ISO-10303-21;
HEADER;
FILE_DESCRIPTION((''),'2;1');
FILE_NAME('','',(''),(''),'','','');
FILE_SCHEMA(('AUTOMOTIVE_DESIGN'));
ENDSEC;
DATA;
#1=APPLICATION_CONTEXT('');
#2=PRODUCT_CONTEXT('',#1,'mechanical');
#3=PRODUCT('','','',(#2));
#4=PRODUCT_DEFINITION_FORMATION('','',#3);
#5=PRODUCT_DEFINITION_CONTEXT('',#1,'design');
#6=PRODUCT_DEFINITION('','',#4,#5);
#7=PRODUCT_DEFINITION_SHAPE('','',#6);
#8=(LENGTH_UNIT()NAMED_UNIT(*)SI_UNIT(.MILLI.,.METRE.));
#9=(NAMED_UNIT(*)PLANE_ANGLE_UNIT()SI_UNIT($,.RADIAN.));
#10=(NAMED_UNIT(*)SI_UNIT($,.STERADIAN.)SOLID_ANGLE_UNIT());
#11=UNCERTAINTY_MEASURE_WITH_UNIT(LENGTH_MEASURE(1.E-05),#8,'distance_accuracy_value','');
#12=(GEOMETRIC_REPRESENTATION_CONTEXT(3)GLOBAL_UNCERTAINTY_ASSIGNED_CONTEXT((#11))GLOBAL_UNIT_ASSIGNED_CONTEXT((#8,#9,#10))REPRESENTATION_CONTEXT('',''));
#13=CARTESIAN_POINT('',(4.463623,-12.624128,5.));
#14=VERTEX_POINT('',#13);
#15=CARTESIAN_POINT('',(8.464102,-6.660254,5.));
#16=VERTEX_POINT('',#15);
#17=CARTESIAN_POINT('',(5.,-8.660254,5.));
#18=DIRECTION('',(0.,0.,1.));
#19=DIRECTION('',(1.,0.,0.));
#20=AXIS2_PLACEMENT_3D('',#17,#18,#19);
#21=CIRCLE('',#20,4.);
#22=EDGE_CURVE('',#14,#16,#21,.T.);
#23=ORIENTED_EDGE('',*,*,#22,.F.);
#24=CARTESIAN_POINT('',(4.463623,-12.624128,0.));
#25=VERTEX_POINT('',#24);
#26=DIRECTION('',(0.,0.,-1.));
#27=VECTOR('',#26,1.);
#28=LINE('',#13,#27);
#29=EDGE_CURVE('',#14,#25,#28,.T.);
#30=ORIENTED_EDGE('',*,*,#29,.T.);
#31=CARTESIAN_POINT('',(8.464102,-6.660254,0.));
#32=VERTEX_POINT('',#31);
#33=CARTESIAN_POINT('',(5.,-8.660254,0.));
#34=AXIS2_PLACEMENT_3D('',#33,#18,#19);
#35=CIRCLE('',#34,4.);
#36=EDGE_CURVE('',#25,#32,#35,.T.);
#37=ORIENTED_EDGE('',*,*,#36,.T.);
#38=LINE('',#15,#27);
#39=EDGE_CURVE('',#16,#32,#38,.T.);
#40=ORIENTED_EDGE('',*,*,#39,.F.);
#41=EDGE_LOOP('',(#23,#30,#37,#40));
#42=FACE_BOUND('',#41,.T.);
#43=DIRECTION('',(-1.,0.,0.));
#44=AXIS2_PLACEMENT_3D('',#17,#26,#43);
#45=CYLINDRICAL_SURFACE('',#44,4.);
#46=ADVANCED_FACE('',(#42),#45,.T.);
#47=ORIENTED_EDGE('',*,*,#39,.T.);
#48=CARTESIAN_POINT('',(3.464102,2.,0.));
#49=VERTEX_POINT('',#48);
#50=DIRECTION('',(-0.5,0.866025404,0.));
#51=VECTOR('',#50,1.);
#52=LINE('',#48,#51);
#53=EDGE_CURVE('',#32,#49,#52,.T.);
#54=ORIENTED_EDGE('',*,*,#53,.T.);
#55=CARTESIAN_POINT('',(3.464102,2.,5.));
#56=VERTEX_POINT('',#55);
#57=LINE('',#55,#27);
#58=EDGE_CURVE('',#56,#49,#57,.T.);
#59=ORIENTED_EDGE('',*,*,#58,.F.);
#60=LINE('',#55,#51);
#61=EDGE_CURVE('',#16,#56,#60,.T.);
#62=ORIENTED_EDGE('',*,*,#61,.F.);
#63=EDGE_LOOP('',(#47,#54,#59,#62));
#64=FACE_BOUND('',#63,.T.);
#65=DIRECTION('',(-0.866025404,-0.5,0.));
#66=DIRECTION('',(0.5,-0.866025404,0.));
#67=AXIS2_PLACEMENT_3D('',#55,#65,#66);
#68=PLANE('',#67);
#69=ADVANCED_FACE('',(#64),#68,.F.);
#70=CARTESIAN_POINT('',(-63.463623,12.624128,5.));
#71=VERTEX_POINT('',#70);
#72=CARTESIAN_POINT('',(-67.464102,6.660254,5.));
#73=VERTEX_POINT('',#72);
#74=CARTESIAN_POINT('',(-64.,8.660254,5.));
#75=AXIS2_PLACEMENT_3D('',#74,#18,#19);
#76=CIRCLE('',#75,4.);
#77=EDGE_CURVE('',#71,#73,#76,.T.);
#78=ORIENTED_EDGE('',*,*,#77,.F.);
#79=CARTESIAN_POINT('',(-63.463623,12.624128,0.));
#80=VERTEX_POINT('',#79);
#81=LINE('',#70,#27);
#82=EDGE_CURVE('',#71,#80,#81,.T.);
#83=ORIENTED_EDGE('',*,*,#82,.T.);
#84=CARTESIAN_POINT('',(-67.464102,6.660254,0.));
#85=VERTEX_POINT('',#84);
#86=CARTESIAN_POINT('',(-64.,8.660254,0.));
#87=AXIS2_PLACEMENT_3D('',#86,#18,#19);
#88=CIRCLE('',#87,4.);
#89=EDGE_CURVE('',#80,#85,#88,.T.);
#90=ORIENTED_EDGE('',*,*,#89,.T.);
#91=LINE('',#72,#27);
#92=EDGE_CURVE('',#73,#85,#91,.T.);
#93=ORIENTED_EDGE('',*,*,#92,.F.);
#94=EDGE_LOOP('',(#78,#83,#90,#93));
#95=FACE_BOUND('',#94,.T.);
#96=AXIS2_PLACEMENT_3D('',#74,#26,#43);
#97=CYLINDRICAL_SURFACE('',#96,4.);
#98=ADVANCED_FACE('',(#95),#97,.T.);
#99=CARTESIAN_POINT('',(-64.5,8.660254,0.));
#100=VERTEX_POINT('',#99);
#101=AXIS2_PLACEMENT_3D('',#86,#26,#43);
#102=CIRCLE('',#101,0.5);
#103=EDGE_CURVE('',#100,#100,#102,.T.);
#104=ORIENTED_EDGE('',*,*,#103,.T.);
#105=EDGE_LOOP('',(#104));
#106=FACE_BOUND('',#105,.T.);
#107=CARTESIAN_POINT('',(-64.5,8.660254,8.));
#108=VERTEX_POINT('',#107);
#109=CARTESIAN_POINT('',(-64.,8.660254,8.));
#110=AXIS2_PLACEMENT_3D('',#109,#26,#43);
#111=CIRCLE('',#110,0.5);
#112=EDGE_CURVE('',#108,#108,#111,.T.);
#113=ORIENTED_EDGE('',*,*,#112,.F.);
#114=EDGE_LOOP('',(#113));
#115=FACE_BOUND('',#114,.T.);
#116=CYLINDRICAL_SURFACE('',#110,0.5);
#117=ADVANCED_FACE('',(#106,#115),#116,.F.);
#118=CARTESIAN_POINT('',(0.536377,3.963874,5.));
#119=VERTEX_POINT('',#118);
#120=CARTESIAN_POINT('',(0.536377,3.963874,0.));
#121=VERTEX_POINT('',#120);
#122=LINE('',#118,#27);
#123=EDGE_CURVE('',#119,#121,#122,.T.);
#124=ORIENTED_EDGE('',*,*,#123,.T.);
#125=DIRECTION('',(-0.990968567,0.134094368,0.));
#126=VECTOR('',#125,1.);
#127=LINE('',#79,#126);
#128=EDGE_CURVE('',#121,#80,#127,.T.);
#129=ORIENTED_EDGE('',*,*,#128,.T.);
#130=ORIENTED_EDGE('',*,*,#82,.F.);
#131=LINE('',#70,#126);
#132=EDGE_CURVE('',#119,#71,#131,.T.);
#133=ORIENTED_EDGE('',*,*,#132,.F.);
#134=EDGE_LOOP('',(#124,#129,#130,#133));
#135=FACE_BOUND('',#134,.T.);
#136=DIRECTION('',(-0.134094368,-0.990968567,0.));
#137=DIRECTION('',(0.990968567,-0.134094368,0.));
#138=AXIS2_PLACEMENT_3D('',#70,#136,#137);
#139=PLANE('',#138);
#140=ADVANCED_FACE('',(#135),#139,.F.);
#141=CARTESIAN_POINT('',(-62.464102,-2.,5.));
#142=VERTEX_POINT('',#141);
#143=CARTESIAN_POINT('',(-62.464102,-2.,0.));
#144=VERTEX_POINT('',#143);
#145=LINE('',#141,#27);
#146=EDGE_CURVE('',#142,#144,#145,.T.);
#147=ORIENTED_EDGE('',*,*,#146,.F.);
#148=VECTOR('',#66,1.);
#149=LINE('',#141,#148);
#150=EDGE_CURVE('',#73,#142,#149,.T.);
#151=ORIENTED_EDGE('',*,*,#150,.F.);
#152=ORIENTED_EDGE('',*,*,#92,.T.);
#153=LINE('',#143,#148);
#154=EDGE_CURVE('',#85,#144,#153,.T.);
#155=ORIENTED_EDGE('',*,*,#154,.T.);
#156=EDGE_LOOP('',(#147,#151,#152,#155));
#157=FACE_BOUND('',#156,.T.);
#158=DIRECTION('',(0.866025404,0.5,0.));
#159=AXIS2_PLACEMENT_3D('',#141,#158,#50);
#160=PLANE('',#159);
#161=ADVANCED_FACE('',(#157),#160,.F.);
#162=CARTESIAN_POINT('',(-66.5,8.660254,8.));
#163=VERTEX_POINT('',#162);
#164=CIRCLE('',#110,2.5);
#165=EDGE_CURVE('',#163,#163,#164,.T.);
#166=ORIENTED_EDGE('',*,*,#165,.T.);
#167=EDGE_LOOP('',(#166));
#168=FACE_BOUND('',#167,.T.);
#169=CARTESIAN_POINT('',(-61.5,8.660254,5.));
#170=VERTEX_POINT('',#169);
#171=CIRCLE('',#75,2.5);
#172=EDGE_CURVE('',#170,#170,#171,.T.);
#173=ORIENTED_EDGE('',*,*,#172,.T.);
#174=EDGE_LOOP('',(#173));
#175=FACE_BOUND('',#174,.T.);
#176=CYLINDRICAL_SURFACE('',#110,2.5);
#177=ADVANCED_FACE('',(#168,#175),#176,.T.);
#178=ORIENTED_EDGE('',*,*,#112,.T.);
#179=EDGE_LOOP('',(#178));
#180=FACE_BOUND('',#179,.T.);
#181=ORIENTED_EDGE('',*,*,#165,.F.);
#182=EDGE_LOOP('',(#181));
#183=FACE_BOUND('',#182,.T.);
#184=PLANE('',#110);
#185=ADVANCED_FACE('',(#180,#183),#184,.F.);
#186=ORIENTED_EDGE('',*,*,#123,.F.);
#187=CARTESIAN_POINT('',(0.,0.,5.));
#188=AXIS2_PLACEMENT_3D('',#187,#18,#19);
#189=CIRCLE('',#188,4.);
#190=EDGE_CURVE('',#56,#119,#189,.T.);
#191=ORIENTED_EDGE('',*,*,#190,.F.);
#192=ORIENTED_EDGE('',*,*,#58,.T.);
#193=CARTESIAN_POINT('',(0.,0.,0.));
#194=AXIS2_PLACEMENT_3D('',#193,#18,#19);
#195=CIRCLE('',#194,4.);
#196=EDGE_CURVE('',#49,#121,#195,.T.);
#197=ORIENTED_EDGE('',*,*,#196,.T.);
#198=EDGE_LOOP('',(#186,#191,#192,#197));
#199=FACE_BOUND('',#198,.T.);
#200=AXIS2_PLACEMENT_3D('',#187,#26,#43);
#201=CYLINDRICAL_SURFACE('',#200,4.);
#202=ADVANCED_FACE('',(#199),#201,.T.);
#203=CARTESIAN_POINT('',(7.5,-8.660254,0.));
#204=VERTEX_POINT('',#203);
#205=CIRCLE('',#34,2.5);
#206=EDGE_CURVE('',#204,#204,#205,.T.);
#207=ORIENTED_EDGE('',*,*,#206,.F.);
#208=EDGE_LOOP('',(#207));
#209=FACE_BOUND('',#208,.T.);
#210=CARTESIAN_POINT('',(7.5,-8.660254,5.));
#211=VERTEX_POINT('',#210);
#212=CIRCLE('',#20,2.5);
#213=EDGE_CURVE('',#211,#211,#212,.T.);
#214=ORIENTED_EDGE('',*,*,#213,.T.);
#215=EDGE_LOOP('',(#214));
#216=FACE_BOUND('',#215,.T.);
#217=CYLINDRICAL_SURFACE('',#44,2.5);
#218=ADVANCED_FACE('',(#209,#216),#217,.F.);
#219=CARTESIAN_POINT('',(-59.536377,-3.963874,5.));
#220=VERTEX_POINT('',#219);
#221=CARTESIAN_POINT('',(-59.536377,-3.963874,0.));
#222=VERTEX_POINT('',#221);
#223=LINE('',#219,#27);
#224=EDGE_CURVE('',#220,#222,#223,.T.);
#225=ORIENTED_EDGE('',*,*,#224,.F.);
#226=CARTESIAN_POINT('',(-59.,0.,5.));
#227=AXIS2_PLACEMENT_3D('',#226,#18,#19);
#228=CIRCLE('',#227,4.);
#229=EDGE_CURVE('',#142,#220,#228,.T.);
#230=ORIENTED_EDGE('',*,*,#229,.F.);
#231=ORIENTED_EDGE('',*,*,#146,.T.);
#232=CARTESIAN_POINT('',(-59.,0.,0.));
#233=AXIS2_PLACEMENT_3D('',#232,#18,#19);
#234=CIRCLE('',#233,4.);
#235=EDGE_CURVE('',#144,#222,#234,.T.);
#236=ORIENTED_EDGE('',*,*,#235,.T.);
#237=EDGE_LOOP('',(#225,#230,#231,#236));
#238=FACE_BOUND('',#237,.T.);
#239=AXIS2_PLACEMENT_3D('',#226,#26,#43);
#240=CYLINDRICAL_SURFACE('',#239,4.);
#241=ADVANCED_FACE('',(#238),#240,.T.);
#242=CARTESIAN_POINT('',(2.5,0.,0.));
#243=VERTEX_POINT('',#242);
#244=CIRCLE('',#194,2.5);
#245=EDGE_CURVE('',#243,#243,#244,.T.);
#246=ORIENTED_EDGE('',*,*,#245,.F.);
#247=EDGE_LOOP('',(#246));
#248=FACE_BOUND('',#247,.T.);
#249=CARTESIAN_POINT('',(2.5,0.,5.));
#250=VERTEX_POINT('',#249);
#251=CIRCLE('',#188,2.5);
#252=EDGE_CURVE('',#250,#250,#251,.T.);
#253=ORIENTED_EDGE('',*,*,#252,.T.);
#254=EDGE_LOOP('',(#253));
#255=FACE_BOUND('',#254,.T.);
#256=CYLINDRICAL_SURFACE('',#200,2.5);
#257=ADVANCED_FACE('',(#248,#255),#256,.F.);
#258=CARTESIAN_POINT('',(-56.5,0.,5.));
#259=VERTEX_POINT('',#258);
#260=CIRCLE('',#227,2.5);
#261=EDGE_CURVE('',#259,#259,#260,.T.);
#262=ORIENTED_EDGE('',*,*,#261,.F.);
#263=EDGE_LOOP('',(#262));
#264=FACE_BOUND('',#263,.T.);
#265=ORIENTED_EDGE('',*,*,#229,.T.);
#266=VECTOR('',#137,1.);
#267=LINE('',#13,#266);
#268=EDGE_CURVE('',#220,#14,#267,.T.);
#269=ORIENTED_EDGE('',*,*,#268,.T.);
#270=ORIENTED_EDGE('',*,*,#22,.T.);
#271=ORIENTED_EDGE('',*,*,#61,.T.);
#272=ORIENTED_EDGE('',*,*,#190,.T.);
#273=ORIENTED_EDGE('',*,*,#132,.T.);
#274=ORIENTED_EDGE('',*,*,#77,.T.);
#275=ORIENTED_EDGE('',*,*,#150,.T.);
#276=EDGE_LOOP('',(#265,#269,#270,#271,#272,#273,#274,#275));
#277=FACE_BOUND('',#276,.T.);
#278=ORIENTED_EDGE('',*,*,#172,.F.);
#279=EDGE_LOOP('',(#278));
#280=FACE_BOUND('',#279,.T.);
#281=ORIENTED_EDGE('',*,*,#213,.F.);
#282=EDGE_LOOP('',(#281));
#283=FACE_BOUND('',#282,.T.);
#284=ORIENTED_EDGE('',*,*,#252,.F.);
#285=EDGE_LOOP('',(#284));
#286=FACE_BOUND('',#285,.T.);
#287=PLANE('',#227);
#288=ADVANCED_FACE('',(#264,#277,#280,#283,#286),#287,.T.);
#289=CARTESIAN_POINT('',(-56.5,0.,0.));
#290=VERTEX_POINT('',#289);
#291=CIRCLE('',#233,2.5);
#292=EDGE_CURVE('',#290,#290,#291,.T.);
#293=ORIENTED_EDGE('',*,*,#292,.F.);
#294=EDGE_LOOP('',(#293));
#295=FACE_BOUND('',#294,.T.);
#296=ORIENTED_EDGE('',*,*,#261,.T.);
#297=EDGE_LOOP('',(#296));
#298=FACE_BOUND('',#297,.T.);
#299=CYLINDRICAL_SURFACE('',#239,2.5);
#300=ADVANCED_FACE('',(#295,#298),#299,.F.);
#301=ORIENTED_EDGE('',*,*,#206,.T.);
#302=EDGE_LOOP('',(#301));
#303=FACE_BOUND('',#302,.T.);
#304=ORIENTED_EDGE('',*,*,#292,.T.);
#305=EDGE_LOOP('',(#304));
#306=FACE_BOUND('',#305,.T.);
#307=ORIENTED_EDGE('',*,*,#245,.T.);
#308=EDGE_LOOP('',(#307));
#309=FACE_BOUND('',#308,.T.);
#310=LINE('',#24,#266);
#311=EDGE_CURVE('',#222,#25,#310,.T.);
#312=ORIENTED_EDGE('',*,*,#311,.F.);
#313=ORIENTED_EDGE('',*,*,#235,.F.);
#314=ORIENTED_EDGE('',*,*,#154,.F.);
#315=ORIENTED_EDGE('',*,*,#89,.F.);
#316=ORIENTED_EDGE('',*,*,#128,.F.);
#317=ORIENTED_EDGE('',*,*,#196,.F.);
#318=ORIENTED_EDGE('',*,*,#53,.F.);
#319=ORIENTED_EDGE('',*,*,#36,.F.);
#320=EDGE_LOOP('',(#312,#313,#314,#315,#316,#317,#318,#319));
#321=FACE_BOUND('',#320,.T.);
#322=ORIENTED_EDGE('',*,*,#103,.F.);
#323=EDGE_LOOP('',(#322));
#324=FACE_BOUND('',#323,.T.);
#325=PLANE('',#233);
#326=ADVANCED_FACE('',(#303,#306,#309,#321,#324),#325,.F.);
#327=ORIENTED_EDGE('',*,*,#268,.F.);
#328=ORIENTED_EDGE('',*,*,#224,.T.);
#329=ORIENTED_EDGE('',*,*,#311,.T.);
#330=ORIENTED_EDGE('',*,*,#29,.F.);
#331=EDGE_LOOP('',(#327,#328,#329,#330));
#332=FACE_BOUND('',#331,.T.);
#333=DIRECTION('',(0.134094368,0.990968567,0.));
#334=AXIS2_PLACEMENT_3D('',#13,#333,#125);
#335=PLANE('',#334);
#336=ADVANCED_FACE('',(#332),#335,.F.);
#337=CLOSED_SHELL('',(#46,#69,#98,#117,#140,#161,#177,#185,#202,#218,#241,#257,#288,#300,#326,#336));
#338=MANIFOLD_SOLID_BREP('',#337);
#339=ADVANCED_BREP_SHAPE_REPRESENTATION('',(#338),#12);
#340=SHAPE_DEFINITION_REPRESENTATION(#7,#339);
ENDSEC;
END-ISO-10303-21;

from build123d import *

# Parameters (mm, degrees)
SKETCH2_R           = 2.5
BOSS_EXTRUDE1_DEPTH = 5
SKETCH4_R           = 2.5
SKETCH4_R_2         = 0.5
BOSS_EXTRUDE3_DEPTH = 8


with BuildPart() as part:
    # Sketch2 → Boss-Extrude1 (new body)
    with BuildSketch(Plane.XY):
        with BuildLine():
            Line((-63.463622529, 12.624128305), (0.536377471, 3.963874268))
            ThreePointArc((0.536377471, 3.963874268), (2.228263621, 3.321873152), (3.464101615, 2))
            Line((3.464101615, 2), (8.464101615, -6.660254038))
            ThreePointArc((8.464101615, -6.660254038), (8.321873152, -10.888517659), (4.463622529, -12.624128305))
            Line((4.463622529, -12.624128305), (-59.536377471, -3.963874268))
            ThreePointArc((-59.536377471, -3.963874268), (-61.228263621, -3.321873152), (-62.464101615, -2))
            Line((-62.464101615, -2), (-67.464101615, 6.660254038))
            ThreePointArc((-67.464101615, 6.660254038), (-67.321873152, 10.888517659), (-63.463622529, 12.624128305))
        make_face()
        with Locations((-59, 0)):
            Circle(SKETCH2_R, mode=Mode.SUBTRACT)
        with Locations((-64, 8.660254038)):
            Circle(SKETCH2_R, mode=Mode.SUBTRACT)
        Circle(SKETCH2_R, mode=Mode.SUBTRACT)
        with Locations((5, -8.660254038)):
            Circle(SKETCH2_R, mode=Mode.SUBTRACT)
    extrude(amount=BOSS_EXTRUDE1_DEPTH)

    # Sketch4 → Boss-Extrude3 (add)
    with BuildSketch(Plane(origin=(0, 0, 0), x_dir=(-1, 0, 0), z_dir=(0, 0, -1))):
        with Locations((64, 8.660254038)):
            Circle(SKETCH4_R)
        with Locations((64, 8.660254038)):
            Circle(SKETCH4_R_2, mode=Mode.SUBTRACT)
    extrude(amount=-BOSS_EXTRUDE3_DEPTH)


solid = part.part
